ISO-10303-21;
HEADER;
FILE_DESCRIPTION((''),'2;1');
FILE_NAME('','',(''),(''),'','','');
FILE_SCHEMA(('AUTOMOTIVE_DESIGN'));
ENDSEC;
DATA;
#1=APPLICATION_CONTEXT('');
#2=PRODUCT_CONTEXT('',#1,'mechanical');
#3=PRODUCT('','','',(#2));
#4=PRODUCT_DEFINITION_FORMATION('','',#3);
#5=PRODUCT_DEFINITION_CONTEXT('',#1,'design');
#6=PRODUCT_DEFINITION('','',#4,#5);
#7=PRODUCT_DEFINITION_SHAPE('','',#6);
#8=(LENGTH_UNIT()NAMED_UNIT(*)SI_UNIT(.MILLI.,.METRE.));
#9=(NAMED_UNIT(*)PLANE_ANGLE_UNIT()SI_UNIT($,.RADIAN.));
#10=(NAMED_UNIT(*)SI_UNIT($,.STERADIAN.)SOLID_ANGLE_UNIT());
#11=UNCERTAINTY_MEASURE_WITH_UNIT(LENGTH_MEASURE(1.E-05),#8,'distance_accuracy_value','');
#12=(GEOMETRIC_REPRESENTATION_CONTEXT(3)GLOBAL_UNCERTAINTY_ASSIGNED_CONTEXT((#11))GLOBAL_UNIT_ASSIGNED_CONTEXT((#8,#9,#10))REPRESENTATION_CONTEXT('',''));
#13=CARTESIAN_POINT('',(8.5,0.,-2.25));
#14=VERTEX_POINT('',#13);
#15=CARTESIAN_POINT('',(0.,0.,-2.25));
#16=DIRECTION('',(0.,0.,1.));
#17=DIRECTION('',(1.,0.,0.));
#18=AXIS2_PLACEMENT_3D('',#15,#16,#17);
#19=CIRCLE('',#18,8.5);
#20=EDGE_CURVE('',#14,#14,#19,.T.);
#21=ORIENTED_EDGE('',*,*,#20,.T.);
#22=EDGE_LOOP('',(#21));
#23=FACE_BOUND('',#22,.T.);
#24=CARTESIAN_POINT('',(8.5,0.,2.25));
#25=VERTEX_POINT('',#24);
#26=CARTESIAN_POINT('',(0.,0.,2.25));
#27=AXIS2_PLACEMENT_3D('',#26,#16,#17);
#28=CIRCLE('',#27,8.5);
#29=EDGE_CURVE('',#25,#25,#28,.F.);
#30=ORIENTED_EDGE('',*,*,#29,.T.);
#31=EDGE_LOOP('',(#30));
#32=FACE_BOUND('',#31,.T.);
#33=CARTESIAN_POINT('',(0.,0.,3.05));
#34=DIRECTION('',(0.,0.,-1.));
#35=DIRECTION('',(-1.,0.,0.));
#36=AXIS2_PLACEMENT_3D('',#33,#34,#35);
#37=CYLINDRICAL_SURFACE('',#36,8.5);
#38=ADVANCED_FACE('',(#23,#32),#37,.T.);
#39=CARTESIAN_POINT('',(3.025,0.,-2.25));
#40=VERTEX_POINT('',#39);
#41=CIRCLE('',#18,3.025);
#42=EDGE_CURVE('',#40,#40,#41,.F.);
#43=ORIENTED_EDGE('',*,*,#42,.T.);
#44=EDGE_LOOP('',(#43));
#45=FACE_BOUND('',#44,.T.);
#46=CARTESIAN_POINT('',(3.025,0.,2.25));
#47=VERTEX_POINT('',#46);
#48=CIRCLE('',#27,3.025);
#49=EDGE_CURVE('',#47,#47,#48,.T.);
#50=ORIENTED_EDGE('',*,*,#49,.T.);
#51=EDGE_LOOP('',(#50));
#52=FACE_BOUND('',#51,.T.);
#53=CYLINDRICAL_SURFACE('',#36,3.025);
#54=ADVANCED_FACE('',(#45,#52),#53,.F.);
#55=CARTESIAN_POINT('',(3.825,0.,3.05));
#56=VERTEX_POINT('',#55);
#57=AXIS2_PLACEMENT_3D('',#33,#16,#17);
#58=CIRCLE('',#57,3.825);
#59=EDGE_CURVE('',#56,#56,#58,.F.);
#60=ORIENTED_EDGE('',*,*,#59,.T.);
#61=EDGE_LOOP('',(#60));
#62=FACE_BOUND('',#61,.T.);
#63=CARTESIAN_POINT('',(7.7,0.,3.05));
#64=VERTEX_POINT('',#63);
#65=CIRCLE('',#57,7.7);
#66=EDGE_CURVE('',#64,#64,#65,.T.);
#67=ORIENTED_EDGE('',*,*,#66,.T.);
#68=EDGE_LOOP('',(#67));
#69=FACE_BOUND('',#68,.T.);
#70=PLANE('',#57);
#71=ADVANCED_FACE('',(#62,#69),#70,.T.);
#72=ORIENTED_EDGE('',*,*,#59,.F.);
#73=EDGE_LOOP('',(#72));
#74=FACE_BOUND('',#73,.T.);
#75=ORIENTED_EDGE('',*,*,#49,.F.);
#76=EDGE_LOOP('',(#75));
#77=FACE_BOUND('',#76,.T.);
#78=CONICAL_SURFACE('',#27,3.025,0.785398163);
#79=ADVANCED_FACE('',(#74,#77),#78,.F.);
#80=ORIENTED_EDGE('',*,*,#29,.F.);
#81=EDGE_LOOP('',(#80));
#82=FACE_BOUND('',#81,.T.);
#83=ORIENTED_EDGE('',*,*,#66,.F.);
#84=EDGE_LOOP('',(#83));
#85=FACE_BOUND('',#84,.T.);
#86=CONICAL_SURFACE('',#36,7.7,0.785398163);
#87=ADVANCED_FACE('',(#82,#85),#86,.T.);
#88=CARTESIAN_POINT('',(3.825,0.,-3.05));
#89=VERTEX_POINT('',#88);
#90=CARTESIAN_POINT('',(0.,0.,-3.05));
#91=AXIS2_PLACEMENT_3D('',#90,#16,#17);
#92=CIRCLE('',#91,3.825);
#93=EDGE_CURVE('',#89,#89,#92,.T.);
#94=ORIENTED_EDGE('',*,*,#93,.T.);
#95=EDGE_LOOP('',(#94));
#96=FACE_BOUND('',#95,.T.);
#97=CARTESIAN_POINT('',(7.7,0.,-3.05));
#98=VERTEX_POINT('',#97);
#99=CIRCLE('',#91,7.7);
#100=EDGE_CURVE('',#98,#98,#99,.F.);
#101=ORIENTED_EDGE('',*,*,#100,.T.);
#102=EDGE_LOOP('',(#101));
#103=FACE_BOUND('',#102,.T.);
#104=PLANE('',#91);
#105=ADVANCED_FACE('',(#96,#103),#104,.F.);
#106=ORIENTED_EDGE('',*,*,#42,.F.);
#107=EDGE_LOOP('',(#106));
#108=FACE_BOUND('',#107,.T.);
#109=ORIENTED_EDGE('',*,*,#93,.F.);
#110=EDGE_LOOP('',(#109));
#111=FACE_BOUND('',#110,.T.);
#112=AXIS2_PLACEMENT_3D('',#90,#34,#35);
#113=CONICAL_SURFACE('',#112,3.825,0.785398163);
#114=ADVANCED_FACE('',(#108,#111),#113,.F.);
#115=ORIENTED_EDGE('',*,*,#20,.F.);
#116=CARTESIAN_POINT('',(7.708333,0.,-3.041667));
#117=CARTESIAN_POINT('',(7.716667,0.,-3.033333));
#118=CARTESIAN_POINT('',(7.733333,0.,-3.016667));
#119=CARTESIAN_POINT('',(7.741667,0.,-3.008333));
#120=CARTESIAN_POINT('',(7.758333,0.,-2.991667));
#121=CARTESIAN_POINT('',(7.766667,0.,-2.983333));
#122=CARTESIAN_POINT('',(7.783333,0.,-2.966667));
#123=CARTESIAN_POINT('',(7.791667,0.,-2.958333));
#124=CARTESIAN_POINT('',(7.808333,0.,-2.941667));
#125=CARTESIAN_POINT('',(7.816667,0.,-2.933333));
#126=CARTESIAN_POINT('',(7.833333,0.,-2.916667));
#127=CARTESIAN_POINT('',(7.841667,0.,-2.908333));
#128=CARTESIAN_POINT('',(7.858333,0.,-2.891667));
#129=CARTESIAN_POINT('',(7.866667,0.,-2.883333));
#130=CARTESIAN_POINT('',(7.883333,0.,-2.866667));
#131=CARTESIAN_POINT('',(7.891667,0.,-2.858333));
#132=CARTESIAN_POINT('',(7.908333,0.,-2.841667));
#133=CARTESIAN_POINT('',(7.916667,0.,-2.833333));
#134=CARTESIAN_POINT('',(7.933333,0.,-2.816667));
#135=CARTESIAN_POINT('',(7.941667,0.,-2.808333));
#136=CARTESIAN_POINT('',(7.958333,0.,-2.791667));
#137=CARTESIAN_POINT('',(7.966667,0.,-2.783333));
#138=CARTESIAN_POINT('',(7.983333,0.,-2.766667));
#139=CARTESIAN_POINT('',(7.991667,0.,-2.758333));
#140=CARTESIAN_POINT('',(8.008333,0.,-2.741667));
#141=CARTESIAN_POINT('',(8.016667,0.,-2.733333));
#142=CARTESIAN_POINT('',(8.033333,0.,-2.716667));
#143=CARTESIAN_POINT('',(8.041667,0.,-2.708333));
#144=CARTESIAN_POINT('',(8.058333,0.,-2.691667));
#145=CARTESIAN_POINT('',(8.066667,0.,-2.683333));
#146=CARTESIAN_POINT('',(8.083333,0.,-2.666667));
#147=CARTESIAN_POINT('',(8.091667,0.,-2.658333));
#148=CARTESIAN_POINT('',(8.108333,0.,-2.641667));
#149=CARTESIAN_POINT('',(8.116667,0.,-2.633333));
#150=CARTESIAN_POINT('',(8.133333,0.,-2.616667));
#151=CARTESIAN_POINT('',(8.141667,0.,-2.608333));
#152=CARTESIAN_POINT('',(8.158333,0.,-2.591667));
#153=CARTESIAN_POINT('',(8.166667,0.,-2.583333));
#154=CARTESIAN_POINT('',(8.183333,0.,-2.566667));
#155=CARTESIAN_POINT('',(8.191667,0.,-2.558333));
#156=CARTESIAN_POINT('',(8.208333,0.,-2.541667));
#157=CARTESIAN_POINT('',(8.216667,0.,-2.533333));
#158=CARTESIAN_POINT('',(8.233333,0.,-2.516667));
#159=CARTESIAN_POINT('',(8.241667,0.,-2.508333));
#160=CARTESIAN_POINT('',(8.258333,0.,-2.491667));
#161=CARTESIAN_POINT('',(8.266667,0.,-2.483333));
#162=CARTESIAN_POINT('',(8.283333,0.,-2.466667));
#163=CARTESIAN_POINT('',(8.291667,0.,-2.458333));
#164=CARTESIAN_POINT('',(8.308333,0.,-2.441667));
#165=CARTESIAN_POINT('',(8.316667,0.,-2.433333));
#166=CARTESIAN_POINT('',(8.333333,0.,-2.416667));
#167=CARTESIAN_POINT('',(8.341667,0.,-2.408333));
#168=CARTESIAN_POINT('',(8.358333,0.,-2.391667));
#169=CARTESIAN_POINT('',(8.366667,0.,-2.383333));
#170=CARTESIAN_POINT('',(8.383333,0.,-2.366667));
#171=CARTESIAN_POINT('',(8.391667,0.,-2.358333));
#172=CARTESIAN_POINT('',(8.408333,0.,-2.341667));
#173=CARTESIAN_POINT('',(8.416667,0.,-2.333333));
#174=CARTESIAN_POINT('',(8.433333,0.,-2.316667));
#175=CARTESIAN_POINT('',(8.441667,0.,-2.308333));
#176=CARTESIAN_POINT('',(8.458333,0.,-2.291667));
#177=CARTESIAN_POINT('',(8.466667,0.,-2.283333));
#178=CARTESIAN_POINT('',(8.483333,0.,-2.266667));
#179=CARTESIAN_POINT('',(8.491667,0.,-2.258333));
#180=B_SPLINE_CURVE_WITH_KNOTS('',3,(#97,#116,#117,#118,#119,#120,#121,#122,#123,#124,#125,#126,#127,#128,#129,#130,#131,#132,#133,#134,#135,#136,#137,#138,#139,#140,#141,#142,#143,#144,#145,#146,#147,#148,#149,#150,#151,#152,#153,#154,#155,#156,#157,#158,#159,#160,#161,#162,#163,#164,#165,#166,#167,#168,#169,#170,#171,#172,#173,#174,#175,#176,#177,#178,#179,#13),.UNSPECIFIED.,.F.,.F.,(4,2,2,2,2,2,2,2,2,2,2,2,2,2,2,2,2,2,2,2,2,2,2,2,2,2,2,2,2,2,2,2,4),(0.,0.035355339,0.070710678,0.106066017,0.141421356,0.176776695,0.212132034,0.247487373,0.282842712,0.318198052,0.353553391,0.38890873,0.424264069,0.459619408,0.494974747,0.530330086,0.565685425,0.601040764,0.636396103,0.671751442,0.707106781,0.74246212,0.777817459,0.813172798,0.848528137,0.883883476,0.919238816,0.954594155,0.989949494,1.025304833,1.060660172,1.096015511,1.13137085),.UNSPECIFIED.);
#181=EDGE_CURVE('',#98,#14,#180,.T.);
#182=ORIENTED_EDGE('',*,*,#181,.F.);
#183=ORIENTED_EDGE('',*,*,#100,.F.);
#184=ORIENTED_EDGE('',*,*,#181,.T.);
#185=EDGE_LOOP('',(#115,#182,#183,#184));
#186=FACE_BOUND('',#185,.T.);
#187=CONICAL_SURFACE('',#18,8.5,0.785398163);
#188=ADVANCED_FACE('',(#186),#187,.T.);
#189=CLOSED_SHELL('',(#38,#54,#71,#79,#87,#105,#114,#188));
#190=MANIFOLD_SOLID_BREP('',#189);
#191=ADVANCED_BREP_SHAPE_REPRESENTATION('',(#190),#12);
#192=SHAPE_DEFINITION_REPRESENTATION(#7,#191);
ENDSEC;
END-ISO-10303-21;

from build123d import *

# Parameters (mm, degrees)
SKETCH1_R           = 8.5
SKETCH1_R_2         = 3.025
BOSS_EXTRUDE1_DEPTH = 3.05
CHAMFER1_SIZE       = 0.8


with BuildPart() as part:
    # Sketch1 → Boss-Extrude1 (new, symmetric)
    with BuildSketch(Plane.XY):
        Circle(SKETCH1_R)
        Circle(SKETCH1_R_2, mode=Mode.SUBTRACT)
    extrude(amount=BOSS_EXTRUDE1_DEPTH, both=True)

    # Chamfer1
    chamfer1_edges = [part.edges().sort_by_distance(p)[0] for p in [
        (-8.5, 0, -3.05),
        (-8.5, 0, 3.05),
        (-3.025, 0, -3.05),
        (-3.025, 0, 3.05),
    ]]
    chamfer(chamfer1_edges, length=CHAMFER1_SIZE)


solid = part.part
